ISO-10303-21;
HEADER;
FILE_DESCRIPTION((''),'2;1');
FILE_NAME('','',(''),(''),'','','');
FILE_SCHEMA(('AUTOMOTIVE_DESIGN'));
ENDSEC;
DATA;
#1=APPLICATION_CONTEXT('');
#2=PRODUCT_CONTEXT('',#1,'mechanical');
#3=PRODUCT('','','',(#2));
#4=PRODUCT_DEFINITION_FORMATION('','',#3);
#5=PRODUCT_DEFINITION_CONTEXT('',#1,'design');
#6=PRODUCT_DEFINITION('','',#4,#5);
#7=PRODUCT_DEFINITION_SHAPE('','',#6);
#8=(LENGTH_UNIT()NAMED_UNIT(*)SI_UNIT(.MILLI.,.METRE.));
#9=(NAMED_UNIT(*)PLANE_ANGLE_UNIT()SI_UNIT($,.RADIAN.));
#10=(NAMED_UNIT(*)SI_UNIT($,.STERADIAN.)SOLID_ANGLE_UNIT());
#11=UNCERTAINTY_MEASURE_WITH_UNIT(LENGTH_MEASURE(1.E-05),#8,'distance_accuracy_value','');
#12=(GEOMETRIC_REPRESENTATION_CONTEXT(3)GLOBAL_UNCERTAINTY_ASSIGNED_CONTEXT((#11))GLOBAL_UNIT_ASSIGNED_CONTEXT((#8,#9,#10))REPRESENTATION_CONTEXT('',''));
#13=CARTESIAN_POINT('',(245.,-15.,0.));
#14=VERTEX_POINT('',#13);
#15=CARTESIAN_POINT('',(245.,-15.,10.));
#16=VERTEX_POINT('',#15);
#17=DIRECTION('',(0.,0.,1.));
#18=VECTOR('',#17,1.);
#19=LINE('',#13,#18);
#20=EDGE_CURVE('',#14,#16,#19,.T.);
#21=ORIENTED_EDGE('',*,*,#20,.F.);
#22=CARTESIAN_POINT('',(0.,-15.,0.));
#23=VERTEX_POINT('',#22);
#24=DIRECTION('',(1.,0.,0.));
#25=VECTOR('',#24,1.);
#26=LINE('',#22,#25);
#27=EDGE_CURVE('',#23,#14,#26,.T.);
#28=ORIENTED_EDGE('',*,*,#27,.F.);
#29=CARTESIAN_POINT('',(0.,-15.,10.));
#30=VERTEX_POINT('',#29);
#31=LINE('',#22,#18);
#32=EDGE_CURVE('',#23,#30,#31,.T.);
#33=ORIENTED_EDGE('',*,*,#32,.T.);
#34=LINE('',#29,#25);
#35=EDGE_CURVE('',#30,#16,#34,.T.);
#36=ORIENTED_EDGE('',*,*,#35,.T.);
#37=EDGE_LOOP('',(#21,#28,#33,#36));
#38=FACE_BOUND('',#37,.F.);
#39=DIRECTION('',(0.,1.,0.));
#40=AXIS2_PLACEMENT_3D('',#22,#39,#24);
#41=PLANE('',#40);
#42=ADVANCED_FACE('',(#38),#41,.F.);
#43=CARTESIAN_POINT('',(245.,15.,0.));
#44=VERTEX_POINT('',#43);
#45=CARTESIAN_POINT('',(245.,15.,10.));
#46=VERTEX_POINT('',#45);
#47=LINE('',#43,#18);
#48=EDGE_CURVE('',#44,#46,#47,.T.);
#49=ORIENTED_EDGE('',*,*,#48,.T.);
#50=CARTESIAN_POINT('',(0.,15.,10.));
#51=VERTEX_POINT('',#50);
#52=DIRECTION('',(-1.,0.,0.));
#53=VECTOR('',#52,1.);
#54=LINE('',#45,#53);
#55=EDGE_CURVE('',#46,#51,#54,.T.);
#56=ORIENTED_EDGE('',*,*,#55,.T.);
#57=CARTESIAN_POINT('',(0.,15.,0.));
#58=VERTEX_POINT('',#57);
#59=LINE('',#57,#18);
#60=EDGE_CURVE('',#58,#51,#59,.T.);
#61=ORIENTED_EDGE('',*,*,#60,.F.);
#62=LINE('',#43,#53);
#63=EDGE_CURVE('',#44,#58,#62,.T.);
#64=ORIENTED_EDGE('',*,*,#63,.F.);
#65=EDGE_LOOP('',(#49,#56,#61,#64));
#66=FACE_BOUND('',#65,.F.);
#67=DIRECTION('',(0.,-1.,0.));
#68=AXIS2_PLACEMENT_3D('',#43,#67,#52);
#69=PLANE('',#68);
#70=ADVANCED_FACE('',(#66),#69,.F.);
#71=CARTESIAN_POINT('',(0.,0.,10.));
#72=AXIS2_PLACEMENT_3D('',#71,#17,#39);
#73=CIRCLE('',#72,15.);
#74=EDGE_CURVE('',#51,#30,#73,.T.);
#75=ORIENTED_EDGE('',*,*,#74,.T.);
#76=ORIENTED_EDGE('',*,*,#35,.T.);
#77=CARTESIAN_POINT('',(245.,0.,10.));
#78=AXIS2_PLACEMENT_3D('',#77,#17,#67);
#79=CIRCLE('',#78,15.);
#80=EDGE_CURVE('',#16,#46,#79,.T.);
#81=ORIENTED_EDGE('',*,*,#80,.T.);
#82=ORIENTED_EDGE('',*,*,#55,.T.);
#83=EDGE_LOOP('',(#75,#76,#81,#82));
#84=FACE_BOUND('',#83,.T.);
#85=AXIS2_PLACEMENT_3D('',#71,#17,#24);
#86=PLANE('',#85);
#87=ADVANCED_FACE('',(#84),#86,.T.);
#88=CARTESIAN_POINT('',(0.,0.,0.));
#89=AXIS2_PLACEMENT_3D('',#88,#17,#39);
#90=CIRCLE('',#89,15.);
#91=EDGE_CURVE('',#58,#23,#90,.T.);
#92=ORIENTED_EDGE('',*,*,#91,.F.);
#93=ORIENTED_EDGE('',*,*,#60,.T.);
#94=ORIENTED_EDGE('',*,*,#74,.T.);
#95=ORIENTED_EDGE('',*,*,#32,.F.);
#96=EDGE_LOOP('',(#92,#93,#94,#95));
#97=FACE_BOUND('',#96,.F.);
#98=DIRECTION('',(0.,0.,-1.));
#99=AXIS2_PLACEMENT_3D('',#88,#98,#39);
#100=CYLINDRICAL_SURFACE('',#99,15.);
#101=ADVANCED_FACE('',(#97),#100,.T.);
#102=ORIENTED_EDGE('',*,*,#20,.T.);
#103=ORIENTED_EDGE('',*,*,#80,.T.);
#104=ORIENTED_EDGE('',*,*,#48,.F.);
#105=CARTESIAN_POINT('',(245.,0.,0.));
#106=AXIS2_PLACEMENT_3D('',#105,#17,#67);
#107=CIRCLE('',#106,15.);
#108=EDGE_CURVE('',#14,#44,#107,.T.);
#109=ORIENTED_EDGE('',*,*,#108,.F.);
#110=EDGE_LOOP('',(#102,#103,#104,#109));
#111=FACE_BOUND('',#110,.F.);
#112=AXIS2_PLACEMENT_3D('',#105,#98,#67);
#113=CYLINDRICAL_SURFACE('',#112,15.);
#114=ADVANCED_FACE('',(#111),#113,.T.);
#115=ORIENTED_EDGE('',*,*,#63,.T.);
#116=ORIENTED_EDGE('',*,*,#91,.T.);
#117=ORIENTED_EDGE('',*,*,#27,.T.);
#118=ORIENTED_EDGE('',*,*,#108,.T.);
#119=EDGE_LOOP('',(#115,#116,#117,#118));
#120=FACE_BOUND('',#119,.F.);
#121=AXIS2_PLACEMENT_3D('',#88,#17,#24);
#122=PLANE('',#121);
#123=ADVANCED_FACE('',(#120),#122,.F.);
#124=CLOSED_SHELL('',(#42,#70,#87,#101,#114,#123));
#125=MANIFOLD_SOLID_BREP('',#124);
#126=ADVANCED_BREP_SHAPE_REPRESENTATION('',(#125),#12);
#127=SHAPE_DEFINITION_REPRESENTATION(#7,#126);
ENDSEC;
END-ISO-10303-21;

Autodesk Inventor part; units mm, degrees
ref_plane "YZ Plane" through (0, 0, 0) normal (1, 0, 0) x (0, 1, 0)
ref_plane "XZ Plane" through (0, 0, 0) normal (0, 1, 0) x (-1, 0, 0)
ref_plane "XY Plane" through (0, 0, 0) normal (0, 0, 1) x (1, 0, 0)
sketch "Sketch1" plane through (0, 0, 0) normal (0, 0, 1) x (1, 0, 0)
  line L0 (0, 0) -> (245, 0)
  line L1 (0, 0) -> (245, 0) construction
  line L2 (0, -15) -> (245, -15)
  line L3 (245, 15) -> (0, 15)
  arc A0 (0, 15) -> (0, -15) centre (0, 0) ccw
  arc A1 (245, -15) -> (245, 15) centre (245, 0) ccw
  point P0 (122.5, 0)
  dimension "d1" = 245
  dimension "d2" = 30
extrude "Extrusion1" add sketch "Sketch1" along normal blind 10
properties part number "Recta_Theta1"
